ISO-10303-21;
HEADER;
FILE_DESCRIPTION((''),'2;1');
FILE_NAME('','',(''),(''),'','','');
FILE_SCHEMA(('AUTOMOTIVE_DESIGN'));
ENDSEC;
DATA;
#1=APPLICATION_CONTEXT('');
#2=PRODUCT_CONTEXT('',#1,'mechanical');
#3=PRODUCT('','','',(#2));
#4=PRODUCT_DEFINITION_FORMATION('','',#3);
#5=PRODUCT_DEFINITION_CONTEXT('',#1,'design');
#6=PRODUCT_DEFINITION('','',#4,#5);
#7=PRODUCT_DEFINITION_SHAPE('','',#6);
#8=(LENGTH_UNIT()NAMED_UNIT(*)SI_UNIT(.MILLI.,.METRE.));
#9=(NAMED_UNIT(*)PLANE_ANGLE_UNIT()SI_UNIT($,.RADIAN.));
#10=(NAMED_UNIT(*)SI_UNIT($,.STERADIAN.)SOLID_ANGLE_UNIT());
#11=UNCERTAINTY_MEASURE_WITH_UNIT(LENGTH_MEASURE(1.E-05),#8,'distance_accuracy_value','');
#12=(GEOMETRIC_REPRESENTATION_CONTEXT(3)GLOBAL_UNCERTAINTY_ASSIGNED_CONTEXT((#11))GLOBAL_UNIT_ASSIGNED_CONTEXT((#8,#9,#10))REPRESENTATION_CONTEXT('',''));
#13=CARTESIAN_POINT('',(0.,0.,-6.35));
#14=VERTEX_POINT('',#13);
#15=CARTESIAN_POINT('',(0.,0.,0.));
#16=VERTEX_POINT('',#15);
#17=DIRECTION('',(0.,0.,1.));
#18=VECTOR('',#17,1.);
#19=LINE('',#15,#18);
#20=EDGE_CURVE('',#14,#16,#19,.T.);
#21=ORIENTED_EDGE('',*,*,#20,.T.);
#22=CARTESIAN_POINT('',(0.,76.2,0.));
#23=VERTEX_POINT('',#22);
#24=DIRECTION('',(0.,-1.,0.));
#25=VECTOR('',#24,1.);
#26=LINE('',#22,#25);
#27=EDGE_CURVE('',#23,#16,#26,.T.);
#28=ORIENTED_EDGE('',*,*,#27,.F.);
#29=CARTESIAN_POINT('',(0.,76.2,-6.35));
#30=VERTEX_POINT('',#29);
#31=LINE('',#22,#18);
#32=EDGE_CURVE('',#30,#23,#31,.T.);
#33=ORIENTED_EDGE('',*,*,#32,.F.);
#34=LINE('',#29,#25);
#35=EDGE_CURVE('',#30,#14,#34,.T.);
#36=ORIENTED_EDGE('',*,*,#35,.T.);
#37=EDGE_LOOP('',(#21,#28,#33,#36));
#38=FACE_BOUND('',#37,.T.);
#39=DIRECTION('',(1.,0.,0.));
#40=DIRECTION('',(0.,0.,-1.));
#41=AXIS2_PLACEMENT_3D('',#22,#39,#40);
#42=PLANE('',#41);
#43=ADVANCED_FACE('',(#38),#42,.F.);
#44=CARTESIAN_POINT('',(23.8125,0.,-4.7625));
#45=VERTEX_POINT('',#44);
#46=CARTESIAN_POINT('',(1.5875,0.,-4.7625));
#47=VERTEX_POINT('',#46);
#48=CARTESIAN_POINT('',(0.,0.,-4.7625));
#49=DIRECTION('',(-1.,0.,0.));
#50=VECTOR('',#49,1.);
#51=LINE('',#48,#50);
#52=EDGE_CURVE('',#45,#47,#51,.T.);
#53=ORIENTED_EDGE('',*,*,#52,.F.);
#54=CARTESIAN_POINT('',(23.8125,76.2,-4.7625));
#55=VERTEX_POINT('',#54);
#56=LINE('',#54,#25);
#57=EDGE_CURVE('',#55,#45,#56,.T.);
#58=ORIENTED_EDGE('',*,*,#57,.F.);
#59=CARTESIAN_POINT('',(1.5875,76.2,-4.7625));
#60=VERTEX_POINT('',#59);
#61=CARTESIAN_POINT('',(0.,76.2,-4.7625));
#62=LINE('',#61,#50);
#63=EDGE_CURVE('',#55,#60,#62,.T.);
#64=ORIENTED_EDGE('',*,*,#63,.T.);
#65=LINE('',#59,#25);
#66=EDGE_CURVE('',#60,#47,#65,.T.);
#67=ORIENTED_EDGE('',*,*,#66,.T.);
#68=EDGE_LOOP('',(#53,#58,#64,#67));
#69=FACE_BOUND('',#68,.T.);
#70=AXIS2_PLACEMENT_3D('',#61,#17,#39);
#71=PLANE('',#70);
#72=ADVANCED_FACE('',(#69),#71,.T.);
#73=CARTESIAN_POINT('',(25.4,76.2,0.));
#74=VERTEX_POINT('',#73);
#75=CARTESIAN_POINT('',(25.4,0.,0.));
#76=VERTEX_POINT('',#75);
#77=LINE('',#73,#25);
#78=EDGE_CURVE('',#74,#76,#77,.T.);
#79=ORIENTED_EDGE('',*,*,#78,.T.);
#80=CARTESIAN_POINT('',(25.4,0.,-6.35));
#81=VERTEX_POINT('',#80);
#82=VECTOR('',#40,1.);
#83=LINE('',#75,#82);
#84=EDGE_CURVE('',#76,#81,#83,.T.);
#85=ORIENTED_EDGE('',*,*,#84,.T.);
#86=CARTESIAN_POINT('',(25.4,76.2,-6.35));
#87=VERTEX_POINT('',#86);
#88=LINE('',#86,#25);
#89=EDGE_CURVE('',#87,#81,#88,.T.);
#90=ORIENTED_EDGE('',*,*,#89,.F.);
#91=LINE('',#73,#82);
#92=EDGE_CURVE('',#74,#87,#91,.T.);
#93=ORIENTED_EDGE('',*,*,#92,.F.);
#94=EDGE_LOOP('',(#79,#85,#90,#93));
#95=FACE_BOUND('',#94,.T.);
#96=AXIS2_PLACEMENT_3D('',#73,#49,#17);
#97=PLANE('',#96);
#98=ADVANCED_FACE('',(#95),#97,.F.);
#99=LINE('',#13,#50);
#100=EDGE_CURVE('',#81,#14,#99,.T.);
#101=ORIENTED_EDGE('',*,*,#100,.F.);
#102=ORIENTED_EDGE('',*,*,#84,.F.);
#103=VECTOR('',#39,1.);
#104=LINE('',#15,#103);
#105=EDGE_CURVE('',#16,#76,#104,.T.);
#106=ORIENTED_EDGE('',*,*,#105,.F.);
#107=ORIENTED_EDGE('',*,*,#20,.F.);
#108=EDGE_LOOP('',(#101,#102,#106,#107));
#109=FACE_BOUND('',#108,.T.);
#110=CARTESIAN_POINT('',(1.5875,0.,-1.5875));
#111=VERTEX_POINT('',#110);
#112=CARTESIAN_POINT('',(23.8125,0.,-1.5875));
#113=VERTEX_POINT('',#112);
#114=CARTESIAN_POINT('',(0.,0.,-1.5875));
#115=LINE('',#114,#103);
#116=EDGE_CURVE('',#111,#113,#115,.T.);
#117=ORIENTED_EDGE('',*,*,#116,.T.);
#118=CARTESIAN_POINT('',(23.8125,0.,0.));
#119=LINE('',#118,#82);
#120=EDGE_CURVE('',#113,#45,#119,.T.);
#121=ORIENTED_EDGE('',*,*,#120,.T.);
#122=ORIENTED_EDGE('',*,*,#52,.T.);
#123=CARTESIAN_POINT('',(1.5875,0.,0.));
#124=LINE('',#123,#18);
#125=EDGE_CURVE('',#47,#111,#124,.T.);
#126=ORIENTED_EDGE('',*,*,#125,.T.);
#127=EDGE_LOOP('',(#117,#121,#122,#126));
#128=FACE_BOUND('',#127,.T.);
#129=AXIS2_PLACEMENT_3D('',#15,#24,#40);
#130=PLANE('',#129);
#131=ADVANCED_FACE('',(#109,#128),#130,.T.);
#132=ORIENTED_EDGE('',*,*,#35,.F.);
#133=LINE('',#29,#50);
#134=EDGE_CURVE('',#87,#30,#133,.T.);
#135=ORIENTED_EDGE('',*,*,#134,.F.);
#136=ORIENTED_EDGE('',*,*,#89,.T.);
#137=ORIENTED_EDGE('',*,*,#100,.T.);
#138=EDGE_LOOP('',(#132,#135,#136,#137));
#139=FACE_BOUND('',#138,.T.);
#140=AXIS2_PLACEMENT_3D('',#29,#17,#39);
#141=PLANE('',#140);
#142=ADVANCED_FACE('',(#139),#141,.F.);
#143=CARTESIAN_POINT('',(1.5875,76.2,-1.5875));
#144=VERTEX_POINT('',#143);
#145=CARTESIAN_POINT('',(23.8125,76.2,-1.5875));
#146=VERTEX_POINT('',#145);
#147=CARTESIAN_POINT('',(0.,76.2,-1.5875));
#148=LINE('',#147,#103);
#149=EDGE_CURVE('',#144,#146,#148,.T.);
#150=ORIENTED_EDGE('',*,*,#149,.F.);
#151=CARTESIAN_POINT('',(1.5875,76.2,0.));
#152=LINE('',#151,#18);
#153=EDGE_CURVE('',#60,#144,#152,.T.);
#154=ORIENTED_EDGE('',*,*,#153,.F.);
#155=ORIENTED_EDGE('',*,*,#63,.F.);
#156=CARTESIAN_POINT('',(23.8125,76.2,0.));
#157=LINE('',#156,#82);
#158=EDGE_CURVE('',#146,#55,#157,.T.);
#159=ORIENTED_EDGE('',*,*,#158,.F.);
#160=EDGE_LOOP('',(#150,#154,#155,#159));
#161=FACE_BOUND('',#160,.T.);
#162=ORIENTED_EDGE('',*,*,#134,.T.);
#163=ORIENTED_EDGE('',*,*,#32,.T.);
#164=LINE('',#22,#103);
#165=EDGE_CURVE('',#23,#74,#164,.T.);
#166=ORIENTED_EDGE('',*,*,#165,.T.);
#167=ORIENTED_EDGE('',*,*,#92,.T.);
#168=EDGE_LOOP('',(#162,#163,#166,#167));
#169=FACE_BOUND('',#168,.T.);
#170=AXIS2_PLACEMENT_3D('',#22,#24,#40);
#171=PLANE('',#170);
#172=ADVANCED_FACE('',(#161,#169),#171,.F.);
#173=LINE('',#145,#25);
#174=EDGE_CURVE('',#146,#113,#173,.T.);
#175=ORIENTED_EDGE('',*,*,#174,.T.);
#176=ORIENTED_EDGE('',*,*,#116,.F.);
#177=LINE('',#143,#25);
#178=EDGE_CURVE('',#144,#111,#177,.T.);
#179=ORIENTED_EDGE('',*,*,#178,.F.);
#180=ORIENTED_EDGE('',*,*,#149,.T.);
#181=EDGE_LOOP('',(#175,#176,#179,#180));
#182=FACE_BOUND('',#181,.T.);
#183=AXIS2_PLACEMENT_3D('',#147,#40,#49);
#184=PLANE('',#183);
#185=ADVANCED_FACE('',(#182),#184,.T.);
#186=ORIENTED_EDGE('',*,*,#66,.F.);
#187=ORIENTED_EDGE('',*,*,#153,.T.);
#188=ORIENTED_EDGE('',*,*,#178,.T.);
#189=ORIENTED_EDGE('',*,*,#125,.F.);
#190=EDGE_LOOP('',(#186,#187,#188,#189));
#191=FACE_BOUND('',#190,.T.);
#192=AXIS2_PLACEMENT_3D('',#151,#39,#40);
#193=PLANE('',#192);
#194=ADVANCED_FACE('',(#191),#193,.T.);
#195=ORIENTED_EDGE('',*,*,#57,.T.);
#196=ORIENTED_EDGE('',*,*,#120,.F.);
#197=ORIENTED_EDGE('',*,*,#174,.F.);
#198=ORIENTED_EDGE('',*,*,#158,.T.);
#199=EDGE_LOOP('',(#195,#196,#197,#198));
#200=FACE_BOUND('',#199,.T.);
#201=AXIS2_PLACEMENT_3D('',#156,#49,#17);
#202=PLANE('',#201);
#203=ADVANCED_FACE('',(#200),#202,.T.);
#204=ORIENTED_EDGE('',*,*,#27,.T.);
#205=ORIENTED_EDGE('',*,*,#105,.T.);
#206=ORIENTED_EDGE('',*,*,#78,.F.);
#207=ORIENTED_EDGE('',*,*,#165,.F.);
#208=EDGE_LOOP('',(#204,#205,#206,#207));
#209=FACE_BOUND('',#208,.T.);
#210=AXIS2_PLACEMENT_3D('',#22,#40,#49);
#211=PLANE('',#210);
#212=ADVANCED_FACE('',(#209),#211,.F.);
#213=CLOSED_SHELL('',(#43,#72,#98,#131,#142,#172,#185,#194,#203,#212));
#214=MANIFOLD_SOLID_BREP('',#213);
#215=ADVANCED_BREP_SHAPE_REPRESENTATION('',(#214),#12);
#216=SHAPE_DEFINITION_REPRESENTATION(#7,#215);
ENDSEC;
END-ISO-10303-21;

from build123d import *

# Parameters (mm, degrees)
SKETCH1_W           = 25.4
SKETCH1_H           = 6.35
BOSS_EXTRUDE1_DEPTH = 76.2
SHELL1_T            = -1.5875


with BuildPart() as part:
    # Sketch1 → Boss-Extrude1 (new body)
    with BuildSketch(Plane(origin=(0, 0, 0), x_dir=(1, 0, 0), z_dir=(0, 1, 0))):
        with Locations((12.7, 3.175)):
            Rectangle(SKETCH1_W, SKETCH1_H)
    extrude(amount=BOSS_EXTRUDE1_DEPTH)

    # Shell1
    shell1_openings = [part.faces().sort_by_distance(p)[0] for p in [
        (12.7, 76.2, -3.175),
        (12.7, 0, -3.175),
    ]]
    offset(amount=SHELL1_T, openings=shell1_openings, kind=Kind.INTERSECTION)


solid = part.part
